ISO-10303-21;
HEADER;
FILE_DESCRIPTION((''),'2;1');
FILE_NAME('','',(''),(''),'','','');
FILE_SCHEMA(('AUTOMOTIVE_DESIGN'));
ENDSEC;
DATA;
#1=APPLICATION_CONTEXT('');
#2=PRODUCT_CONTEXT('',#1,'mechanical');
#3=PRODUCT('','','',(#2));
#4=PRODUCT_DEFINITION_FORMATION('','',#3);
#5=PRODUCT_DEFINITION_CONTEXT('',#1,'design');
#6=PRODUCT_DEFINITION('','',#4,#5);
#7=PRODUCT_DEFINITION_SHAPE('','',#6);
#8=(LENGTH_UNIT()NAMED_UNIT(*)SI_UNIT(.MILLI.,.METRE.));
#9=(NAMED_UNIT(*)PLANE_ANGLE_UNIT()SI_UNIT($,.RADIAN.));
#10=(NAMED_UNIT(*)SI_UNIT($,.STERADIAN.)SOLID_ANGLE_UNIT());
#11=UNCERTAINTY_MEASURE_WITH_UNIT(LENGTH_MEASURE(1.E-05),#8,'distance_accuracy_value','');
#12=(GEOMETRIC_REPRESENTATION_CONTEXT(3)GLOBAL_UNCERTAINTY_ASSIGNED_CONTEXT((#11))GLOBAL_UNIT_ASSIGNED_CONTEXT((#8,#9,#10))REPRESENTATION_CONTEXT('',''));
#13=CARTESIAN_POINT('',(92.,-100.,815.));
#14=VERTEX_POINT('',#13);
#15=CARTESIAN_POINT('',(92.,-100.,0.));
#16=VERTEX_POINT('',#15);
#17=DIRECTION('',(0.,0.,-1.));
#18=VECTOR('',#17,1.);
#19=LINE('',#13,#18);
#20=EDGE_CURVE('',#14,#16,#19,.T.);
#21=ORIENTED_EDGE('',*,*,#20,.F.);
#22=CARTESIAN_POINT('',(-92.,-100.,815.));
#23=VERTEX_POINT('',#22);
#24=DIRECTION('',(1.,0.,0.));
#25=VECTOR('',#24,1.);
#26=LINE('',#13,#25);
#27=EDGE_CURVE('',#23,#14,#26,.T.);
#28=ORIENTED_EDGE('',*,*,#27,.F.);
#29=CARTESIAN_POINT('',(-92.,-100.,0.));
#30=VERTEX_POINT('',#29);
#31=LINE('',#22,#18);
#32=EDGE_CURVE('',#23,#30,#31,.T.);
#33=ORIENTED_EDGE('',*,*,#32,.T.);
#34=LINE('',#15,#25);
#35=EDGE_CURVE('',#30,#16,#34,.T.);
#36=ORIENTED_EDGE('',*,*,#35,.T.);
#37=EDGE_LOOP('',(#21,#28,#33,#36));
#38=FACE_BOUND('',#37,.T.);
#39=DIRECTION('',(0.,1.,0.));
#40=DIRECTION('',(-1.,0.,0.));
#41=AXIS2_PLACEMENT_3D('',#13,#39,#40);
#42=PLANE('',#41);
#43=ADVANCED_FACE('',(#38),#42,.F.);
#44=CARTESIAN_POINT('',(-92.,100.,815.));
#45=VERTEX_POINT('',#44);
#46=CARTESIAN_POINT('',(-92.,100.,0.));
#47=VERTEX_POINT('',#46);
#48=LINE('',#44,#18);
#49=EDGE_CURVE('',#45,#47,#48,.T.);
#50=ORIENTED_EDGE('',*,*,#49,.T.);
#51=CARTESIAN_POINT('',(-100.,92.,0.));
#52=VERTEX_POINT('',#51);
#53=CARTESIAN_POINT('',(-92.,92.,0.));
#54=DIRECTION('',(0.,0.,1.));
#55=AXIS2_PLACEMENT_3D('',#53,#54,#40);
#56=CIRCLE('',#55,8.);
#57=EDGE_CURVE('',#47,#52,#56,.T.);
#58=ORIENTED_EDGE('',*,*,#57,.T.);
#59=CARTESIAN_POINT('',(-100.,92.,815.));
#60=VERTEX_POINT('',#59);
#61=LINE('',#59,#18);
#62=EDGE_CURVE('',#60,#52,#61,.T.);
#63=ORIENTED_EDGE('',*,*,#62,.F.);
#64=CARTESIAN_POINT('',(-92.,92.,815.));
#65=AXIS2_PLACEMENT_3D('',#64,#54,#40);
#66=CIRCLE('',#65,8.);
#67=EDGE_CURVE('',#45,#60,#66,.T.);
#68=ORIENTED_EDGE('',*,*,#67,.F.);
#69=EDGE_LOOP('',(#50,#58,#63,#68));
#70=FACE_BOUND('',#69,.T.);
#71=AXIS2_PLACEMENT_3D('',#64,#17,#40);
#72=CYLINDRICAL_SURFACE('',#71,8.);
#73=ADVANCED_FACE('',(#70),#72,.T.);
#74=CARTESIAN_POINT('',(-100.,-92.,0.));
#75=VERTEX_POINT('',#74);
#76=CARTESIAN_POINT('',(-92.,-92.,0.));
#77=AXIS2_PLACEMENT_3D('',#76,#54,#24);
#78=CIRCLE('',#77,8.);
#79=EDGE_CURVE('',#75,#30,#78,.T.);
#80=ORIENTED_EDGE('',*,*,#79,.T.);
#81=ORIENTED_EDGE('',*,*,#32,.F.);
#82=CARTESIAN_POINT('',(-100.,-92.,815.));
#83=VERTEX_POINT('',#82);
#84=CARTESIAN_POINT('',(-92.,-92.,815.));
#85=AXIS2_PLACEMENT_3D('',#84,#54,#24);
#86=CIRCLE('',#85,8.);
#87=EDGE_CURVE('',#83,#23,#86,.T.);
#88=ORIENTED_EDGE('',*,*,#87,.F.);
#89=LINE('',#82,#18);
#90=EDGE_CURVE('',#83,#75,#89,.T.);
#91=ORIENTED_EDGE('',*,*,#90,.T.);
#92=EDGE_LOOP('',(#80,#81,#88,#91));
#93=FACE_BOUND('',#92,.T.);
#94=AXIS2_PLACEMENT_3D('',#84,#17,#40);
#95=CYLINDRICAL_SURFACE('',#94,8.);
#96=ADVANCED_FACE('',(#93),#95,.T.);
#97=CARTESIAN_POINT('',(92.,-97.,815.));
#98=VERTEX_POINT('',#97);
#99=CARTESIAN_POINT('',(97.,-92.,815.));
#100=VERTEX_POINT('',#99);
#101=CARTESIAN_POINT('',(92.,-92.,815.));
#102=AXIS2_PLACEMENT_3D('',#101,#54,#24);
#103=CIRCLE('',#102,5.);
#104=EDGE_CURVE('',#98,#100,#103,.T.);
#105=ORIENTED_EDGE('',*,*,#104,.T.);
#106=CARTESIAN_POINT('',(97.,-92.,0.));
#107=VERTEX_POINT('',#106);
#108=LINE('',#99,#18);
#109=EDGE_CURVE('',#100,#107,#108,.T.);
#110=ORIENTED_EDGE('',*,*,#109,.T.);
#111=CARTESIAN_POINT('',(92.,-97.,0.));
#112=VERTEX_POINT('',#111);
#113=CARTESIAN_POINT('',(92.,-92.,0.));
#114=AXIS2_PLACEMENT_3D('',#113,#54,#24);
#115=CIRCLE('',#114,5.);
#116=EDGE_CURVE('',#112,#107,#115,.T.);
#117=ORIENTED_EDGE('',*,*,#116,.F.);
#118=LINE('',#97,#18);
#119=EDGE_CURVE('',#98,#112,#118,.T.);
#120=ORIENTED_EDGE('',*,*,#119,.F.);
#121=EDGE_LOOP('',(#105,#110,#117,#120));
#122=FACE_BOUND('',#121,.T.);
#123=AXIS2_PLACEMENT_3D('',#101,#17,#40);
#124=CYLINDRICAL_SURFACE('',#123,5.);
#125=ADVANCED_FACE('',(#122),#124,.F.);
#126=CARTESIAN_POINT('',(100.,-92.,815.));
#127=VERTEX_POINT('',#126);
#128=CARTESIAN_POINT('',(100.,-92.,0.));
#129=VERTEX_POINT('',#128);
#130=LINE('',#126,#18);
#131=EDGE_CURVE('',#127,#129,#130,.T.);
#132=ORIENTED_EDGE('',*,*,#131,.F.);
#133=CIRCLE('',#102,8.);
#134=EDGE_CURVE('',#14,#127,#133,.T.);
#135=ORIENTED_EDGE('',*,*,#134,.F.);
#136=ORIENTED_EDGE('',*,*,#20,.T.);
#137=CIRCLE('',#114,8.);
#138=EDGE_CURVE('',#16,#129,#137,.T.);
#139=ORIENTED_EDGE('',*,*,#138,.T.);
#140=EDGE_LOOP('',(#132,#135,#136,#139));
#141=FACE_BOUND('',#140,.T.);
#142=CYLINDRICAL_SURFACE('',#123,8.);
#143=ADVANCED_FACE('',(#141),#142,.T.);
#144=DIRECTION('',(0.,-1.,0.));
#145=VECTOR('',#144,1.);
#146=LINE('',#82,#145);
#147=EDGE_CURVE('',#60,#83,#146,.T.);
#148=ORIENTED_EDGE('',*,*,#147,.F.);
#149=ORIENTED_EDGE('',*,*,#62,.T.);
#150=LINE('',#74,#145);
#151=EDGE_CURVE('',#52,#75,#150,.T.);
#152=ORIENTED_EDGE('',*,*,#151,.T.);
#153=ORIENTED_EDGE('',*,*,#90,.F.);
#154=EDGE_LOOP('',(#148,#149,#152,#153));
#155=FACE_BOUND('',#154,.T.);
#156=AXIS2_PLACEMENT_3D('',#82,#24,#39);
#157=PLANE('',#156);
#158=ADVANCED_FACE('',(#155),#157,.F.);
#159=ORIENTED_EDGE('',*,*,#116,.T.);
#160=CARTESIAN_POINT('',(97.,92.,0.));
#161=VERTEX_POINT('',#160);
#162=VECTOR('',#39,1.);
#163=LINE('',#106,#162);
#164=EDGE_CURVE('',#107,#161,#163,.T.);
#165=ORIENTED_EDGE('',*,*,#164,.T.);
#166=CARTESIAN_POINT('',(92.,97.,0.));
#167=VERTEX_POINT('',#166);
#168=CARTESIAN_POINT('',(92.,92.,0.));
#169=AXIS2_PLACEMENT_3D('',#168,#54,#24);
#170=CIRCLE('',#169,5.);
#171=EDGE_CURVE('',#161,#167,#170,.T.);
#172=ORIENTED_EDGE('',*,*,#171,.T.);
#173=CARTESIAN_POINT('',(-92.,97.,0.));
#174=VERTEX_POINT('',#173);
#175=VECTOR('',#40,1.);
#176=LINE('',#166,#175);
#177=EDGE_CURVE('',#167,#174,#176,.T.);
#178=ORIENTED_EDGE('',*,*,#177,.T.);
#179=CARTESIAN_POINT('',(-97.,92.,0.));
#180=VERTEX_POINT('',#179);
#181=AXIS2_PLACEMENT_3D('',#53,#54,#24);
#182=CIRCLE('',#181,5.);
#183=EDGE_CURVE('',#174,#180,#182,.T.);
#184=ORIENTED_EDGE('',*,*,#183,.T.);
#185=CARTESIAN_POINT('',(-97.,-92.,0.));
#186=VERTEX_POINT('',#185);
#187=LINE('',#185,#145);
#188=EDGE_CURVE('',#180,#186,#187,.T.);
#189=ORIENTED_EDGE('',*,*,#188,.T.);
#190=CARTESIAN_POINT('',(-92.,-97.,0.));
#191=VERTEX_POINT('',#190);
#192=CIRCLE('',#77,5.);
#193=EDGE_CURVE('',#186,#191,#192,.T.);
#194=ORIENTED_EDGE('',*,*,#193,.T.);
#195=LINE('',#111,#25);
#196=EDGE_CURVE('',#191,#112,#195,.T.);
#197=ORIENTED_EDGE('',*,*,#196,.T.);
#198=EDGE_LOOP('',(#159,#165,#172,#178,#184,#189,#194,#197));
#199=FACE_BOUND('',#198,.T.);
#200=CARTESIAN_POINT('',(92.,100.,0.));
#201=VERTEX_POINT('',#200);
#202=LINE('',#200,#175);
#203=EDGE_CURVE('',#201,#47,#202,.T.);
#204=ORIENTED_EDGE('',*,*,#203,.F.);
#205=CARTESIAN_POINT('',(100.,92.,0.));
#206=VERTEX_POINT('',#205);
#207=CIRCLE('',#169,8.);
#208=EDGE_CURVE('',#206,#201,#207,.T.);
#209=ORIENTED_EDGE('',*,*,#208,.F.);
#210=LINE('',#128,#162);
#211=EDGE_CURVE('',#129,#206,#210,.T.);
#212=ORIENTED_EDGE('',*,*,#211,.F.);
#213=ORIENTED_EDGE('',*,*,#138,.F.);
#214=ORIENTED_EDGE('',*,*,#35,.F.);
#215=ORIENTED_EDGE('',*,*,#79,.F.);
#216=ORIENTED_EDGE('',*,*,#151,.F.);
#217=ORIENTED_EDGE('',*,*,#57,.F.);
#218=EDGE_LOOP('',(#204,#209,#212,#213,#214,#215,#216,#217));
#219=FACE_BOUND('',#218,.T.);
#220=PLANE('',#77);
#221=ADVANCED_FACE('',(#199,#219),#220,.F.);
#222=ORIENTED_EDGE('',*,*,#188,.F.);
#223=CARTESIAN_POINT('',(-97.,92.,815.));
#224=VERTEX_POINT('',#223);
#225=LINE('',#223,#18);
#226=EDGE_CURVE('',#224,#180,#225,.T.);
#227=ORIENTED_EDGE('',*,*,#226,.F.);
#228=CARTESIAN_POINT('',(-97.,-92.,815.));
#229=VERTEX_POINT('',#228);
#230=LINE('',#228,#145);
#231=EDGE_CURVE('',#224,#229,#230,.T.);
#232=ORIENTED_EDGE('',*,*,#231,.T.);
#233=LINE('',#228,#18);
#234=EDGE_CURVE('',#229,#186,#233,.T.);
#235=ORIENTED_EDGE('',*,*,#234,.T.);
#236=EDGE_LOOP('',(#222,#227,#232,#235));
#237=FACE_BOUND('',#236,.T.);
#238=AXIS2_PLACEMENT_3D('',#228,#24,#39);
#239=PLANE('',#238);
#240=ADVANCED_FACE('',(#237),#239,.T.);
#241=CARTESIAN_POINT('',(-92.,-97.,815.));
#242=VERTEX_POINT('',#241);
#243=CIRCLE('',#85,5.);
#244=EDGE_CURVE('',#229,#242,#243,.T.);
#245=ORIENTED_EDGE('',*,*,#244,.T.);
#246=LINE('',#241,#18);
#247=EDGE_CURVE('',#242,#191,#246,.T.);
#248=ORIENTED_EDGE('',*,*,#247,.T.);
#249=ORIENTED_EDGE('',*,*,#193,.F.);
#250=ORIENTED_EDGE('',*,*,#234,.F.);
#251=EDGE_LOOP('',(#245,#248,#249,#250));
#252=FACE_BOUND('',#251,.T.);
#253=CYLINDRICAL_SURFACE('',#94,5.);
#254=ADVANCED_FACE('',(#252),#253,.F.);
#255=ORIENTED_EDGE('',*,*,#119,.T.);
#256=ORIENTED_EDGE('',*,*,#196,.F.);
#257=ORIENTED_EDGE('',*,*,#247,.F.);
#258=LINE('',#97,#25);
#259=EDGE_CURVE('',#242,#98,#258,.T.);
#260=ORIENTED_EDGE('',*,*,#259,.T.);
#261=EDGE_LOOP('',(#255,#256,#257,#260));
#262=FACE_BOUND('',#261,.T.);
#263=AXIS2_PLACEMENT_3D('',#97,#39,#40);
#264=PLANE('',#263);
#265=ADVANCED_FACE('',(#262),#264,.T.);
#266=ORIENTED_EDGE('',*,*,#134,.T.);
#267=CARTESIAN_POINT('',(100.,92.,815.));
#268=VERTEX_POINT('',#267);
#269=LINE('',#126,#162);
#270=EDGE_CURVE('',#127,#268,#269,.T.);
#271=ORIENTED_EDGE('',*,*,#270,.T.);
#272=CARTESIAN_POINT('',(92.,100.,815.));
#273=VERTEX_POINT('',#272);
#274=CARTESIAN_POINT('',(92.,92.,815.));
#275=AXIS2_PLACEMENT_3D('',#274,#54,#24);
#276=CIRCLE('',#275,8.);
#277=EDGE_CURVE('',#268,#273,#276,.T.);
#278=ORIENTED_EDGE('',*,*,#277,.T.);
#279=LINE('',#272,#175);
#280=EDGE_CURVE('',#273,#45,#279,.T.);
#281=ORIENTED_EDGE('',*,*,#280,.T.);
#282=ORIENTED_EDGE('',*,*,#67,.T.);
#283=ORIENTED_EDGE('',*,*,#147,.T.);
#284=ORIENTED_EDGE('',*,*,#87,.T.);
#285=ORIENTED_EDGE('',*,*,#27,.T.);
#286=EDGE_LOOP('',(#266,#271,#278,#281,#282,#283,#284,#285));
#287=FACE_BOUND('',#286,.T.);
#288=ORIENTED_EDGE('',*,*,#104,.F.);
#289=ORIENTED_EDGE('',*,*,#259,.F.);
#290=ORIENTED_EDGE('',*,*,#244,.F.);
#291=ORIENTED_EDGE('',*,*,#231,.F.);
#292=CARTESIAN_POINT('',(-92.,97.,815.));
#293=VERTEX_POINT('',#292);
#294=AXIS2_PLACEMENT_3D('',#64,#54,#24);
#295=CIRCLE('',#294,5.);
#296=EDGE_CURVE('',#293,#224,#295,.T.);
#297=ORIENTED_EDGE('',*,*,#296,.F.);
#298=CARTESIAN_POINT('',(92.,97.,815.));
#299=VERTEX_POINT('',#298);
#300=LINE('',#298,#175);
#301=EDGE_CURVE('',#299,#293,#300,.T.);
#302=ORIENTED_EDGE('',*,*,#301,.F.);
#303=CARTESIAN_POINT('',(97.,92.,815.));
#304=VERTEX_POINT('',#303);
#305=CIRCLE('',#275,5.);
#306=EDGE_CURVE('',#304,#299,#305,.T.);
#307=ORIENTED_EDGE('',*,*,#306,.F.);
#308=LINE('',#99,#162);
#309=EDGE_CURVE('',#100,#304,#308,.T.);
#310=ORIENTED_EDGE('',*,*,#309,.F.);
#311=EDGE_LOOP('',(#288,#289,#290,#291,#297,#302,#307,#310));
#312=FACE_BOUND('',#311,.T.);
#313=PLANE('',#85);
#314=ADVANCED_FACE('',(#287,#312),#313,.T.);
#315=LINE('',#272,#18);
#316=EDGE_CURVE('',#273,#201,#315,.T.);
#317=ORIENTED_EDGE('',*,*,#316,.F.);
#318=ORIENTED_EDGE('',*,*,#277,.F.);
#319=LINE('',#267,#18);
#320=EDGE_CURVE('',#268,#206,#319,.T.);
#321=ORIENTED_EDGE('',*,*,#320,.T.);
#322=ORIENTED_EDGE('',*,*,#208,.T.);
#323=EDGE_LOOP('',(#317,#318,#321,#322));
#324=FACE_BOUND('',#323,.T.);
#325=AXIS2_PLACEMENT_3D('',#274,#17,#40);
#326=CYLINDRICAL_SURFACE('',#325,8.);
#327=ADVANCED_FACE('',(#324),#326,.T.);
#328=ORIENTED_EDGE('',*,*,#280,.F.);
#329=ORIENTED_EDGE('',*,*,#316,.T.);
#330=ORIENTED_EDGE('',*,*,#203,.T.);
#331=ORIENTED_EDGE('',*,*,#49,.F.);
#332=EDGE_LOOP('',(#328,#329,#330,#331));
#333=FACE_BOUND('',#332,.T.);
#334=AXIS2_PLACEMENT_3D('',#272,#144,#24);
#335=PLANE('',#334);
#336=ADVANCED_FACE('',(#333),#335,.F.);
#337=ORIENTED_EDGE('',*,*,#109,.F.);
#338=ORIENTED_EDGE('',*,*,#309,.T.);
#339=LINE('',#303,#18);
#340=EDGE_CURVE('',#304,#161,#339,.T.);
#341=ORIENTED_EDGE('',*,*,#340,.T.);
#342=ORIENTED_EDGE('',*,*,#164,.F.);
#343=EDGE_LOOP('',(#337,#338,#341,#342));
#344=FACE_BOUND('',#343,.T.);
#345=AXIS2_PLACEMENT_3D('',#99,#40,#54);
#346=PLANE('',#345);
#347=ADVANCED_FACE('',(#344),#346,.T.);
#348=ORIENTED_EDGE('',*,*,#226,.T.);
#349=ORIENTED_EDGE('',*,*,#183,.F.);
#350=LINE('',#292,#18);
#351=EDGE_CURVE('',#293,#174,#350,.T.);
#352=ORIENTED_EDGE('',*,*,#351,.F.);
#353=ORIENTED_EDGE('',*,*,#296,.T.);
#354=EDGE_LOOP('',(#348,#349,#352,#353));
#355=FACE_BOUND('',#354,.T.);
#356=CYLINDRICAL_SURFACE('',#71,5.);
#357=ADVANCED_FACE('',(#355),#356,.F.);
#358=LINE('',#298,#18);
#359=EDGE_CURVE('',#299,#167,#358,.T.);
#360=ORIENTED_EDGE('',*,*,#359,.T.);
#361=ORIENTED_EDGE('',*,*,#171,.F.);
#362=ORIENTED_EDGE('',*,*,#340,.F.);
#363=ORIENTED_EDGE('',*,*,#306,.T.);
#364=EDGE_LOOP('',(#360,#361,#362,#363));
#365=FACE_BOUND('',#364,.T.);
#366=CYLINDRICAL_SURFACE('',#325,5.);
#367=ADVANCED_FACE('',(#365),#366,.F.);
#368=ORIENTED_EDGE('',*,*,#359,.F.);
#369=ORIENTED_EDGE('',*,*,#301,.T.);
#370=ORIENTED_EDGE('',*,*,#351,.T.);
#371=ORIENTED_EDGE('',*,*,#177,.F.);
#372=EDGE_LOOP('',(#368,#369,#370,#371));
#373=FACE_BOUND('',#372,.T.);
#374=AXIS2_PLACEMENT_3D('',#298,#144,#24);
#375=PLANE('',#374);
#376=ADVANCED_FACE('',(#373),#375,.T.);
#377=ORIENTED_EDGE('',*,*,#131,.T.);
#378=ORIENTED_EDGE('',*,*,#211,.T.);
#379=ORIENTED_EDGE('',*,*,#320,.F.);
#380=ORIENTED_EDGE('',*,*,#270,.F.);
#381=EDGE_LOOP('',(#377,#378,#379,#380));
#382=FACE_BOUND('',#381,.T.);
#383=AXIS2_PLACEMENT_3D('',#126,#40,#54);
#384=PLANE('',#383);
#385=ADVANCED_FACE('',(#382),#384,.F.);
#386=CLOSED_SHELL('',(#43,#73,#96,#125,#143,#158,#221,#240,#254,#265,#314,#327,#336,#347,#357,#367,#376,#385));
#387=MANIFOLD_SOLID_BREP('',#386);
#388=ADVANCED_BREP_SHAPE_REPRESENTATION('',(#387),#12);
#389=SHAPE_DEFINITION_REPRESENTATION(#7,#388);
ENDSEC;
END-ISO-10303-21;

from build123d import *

# Parameters (mm, degrees)
EXTRUDE_1_DEPTH = 815


with BuildPart() as part:
    # Эскиз1 → Вытянуть-Тонкостенный1 (new body)
    with BuildSketch(Plane.XY):
        with BuildLine():
            Line((-92, 100), (92, 100))
            ThreePointArc((92, 100), (97.656854249, 97.656854249), (100, 92))
            Line((100, 92), (100, -92))
            ThreePointArc((100, -92), (97.656854249, -97.656854249), (92, -100))
            Line((92, -100), (-92, -100))
            ThreePointArc((-92, -100), (-97.656854249, -97.656854249), (-100, -92))
            Line((-100, -92), (-100, 92))
            ThreePointArc((-100, 92), (-97.656854249, 97.656854249), (-92, 100))
        make_face()
        with BuildLine():
            Line((-92, 97), (92, 97))
            ThreePointArc((92, 97), (95.535533906, 95.535533906), (97, 92))
            Line((97, 92), (97, -92))
            ThreePointArc((97, -92), (95.535533906, -95.535533906), (92, -97))
            Line((92, -97), (-92, -97))
            ThreePointArc((-92, -97), (-95.535533906, -95.535533906), (-97, -92))
            Line((-97, -92), (-97, 92))
            ThreePointArc((-97, 92), (-95.535533906, 95.535533906), (-92, 97))
        make_face(mode=Mode.SUBTRACT)
    extrude(amount=EXTRUDE_1_DEPTH)


solid = part.part
